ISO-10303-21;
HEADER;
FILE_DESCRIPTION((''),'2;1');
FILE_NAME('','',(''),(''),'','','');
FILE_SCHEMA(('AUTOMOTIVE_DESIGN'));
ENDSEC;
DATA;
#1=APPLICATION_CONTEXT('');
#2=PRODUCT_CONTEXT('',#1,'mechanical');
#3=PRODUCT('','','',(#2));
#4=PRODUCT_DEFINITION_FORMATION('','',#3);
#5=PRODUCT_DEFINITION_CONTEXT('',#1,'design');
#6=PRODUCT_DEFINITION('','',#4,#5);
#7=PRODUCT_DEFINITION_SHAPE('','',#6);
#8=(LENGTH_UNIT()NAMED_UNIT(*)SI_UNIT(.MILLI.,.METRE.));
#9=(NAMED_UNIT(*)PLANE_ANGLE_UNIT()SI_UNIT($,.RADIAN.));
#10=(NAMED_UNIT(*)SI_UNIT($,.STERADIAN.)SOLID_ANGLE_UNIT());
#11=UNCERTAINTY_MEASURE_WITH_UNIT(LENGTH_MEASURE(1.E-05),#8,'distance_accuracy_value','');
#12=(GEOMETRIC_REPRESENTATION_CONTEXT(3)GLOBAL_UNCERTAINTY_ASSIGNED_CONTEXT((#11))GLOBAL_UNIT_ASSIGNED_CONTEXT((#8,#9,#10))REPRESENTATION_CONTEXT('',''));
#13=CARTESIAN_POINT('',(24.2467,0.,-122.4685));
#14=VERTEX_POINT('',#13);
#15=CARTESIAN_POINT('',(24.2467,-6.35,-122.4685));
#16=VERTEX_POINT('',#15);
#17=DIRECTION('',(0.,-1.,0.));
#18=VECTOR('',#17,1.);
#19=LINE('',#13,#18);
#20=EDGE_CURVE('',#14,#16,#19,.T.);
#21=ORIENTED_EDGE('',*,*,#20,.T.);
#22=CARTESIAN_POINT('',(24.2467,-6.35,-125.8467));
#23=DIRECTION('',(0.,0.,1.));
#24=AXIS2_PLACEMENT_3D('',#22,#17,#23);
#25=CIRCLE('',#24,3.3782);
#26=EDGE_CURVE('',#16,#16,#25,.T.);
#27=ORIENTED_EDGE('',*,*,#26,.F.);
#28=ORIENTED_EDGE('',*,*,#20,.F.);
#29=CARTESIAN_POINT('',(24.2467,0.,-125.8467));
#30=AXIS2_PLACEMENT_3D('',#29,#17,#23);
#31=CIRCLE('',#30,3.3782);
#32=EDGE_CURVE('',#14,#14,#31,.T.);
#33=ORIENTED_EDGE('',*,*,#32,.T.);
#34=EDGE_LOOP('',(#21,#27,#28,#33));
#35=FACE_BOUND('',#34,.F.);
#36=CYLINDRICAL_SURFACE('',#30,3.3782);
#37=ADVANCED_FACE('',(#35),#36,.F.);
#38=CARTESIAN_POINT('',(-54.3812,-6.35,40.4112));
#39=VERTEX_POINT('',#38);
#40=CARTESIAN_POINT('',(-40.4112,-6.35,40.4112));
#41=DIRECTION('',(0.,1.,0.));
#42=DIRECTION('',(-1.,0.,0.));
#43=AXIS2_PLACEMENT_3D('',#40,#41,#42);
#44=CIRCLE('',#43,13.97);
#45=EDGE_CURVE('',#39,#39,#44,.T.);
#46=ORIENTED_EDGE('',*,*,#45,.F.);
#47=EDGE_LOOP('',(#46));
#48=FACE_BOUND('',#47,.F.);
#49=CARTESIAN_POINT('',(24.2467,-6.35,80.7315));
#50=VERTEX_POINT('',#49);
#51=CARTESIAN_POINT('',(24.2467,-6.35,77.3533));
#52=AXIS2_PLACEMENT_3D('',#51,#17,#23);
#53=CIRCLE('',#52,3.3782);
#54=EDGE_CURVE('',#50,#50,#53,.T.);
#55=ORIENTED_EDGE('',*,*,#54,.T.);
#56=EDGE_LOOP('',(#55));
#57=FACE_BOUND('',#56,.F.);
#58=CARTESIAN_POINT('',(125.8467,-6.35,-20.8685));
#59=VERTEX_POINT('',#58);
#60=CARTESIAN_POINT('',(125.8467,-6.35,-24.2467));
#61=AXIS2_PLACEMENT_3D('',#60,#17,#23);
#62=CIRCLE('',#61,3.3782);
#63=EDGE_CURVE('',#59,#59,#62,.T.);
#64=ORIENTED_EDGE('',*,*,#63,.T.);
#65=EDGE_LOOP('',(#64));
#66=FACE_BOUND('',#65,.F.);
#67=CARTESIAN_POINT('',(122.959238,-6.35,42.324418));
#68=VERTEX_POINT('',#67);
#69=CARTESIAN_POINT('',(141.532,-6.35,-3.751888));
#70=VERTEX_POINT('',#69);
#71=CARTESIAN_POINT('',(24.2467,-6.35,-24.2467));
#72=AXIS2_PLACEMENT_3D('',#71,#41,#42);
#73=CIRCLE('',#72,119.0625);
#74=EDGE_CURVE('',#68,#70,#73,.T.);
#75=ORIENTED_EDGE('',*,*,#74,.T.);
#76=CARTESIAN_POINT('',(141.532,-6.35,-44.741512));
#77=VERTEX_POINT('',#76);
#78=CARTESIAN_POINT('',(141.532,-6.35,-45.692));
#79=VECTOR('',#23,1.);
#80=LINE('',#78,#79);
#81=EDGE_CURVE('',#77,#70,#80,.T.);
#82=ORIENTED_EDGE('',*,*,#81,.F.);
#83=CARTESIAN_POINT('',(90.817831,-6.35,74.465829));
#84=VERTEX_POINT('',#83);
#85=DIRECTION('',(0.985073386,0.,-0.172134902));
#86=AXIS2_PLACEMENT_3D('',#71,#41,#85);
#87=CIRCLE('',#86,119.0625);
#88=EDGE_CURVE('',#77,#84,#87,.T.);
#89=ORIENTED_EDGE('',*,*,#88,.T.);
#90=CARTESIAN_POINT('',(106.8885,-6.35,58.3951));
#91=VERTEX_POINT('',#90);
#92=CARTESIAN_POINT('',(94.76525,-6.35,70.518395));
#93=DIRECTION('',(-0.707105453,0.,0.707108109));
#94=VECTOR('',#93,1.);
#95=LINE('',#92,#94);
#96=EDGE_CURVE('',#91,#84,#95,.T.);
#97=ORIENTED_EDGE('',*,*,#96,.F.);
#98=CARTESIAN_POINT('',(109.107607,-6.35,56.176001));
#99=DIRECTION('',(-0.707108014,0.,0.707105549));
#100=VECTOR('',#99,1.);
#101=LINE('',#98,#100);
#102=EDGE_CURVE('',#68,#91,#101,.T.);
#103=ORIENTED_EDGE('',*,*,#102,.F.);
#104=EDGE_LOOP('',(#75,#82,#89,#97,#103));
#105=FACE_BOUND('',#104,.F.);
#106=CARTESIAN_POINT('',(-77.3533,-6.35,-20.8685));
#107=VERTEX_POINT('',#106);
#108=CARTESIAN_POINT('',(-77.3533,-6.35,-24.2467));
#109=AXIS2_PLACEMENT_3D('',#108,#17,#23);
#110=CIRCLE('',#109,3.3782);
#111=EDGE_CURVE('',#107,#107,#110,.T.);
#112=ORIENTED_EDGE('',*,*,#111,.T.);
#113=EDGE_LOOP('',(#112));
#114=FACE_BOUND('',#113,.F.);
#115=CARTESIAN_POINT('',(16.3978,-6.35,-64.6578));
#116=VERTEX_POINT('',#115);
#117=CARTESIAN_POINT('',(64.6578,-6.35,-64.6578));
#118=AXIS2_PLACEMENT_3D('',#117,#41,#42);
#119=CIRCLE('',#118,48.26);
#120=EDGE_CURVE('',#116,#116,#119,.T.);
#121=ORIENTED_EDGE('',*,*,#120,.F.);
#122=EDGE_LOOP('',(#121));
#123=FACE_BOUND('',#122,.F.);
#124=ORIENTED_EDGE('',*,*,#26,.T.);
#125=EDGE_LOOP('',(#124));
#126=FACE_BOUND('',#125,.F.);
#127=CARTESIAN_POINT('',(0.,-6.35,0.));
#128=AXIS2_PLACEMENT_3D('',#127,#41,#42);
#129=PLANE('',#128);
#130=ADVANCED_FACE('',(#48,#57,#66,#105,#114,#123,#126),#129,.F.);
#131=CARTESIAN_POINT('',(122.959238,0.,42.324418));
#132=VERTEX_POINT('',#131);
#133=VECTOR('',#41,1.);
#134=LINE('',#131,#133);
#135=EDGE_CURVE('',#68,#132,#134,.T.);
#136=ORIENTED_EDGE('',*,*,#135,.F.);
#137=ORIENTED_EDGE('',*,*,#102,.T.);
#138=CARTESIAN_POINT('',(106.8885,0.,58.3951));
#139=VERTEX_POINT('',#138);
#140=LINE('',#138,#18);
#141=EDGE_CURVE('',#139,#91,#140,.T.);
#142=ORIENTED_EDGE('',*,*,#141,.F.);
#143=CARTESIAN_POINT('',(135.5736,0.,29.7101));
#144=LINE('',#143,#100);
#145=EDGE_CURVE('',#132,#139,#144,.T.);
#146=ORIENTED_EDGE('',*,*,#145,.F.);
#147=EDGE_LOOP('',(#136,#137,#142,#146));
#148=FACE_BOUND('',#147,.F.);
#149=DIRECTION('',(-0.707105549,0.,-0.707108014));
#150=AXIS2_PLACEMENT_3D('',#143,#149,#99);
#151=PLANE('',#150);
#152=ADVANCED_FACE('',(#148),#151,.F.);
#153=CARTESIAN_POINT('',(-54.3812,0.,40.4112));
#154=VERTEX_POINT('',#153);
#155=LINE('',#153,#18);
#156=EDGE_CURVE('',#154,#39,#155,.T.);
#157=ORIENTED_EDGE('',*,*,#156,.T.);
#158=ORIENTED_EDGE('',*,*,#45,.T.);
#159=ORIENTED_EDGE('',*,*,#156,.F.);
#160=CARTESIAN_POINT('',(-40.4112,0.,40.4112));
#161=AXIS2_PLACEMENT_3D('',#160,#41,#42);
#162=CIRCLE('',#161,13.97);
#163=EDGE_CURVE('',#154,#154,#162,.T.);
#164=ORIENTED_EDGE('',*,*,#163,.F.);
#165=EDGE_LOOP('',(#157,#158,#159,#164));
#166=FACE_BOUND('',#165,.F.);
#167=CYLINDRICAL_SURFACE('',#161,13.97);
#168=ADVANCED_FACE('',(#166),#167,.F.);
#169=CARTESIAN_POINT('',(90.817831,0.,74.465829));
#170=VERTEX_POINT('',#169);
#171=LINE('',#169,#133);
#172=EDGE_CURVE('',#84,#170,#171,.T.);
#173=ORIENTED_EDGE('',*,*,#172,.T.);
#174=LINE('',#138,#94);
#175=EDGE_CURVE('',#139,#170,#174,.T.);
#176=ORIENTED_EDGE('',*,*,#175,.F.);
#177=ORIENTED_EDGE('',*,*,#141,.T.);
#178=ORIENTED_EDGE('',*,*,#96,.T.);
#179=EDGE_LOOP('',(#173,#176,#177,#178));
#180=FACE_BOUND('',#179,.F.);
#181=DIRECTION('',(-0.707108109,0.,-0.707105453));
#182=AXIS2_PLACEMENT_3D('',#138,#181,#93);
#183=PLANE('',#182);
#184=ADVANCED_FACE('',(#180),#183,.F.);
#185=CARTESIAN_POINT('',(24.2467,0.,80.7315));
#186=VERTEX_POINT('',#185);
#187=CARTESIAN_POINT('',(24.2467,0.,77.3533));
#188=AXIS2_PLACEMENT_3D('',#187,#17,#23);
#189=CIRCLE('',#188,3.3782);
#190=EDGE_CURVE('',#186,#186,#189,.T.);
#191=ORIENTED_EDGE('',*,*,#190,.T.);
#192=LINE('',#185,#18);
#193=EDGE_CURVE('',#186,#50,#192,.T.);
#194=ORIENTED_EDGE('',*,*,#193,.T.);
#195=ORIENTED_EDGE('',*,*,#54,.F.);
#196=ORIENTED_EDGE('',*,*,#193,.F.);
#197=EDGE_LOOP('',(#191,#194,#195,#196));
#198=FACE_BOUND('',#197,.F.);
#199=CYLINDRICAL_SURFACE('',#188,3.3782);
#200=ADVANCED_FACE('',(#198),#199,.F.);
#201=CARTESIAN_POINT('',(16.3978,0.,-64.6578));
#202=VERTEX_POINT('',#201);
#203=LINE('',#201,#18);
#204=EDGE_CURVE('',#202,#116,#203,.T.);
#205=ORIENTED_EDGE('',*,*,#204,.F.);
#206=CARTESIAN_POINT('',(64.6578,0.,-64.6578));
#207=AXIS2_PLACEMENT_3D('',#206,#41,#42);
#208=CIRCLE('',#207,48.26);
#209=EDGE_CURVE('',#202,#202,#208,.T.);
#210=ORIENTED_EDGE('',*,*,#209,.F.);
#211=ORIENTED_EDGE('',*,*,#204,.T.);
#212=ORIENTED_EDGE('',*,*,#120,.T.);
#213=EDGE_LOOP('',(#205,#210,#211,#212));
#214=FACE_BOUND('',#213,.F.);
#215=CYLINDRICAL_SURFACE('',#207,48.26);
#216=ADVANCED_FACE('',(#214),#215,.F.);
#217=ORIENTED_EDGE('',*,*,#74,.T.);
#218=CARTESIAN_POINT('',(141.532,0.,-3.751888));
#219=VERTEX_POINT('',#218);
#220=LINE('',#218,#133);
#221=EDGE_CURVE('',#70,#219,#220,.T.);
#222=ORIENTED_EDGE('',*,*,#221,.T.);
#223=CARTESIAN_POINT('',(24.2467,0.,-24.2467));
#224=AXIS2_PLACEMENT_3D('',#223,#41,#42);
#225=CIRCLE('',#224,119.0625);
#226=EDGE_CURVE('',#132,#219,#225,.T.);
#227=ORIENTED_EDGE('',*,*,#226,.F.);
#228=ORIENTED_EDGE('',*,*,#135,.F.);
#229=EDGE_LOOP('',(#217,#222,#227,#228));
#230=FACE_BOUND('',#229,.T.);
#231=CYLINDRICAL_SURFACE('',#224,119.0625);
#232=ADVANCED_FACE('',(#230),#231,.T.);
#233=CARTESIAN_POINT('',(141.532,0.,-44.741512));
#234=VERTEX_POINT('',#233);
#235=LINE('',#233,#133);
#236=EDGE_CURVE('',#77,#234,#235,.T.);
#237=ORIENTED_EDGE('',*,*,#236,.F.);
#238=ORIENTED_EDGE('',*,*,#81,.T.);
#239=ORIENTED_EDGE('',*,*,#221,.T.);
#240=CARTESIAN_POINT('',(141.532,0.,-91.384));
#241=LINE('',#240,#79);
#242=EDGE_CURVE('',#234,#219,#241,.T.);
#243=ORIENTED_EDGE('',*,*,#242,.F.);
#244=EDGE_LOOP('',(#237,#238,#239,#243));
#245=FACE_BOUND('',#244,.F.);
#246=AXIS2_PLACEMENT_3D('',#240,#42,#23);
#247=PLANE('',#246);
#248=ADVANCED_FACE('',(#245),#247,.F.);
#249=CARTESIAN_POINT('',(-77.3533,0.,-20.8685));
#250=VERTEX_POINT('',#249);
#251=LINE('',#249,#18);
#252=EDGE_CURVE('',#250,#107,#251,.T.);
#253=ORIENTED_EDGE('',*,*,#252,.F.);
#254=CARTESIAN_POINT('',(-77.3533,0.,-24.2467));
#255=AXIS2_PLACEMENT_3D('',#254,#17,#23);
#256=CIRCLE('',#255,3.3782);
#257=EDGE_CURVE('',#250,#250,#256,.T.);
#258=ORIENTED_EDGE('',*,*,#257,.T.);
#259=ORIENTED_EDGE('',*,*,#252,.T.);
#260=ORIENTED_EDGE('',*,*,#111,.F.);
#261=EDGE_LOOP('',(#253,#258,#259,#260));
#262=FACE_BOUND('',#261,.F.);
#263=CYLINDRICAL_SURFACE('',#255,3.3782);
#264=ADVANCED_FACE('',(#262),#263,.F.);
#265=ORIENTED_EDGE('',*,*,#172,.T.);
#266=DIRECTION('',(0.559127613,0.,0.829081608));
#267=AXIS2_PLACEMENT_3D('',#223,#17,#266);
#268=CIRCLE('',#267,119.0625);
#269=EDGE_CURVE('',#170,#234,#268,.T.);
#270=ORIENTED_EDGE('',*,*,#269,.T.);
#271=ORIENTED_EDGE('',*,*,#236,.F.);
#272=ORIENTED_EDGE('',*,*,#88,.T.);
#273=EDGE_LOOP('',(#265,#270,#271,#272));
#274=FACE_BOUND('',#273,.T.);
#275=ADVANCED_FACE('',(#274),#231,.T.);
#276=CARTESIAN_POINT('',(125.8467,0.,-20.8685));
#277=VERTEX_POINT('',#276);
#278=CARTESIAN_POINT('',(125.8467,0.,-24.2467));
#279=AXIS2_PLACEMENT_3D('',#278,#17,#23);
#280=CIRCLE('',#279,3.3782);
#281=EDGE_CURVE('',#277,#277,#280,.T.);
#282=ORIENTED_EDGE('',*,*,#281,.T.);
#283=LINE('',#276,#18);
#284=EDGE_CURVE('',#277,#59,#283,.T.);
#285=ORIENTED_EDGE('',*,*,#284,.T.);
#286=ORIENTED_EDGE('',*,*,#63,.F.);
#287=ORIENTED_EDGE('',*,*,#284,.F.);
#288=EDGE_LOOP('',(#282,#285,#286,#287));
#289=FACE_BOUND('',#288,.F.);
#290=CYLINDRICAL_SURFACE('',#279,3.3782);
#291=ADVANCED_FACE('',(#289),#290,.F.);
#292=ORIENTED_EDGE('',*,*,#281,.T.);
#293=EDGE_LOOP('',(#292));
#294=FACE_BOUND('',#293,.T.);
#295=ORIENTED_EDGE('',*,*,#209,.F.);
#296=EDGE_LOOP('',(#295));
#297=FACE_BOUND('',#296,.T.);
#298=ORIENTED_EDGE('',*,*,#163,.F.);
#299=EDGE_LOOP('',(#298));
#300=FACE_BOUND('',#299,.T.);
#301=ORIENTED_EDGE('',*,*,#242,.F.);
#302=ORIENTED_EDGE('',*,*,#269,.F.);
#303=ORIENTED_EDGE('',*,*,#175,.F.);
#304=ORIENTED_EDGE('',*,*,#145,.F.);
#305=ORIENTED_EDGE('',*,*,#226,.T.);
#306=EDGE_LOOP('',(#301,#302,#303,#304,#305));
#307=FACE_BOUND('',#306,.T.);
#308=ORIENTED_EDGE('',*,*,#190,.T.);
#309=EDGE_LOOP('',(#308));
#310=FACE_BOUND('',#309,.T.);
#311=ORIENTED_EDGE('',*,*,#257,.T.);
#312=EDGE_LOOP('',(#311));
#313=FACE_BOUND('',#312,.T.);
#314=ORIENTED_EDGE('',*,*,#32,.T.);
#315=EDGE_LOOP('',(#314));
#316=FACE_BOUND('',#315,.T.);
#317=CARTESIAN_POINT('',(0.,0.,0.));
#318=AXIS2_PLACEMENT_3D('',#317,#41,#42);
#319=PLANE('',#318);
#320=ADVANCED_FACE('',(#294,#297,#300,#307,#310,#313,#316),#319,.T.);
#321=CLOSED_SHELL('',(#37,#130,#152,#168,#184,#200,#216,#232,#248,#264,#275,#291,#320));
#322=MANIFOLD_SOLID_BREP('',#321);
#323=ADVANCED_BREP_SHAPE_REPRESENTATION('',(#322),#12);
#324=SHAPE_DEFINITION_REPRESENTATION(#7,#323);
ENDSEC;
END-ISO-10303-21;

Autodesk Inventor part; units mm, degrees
ref_plane "YZ Plane" through (0, 0, 0) normal (1, 0, 0) x (0, 1, 0)
ref_plane "XZ Plane" through (0, 0, 0) normal (0, 1, 0) x (-1, 0, 0)
ref_plane "XY Plane" through (0, 0, 0) normal (0, 0, 1) x (1, 0, 0)
sketch "Sketch2" plane through (0, 0, 0) normal (0, 1, 0) x (-1, 0, 0)
  line L0 (0, 0) -> (-24.2467, -24.2467) construction
  line L1 (0, 0) -> (-34.29, 0) construction
  circle A0 centre (-24.2467, -24.2467) radius 119.0625
  dimension "d6" = 34.29
  dimension "d7" = 315
  dimension "d8" = 238.125
extrude "Extrusion1" add sketch "Sketch2" against normal blind 6.35
sketch "Sketch1" plane through (0, 0, 0) normal (0, 1, 0) x (-1, 0, 0)
  line L0 (0, 0) -> (-64.6578, -64.6578) construction
  line L1 (0, 0) -> (91.44, 0) construction
  circle A0 centre (-64.6578, -64.6578) radius 48.26
  line L2 (0, 0) -> (40.4112, 40.4112) construction
  line L3 (0, 0) -> (57.15, 0) construction
  circle A1 centre (40.4112, 40.4112) radius 13.97
  dimension "d0" = 91.44
  dimension "d1" = 135
  dimension "d2" = 96.52
  dimension "d3" = 57.15
  dimension "d4" = 45
  dimension "d5" = 27.94
extrude "Extrusion2" cut sketch "Sketch1" against normal up to surface (6.35 mm away)
sketch "Sketch9" plane through (24.2467, 0, -24.2467) normal (0, 1, 0) x (1, 0, 0)
  circle A0 centre (40.4112, 40.4112) radius 48.26 projected
  circle A1 centre (-64.6578, -64.6578) radius 13.97 projected
  line L0 (40.4112, 40.4112) -> (-64.6578, -64.6578)
  circle A2 centre (-29.6348, -29.6348) radius 63.5
  circle A3 centre (29.6348, 29.6348) radius 63.5
  circle A4 centre (40.4112, 40.4112) radius 48.26 projected
  line L1 (-33.7328, 33.7328) -> (33.7328, -33.7328)
  point P0 (-24.2467, -24.2467)
  dimension "d81" = 127
  dimension "d82" = 127
sketch "Sketch10" plane through (24.2467, 0, -24.2467) normal (0, 1, 0) x (1, 0, 0)
  circle A0 centre (0, 0) radius 119.0625 projected
  circle A1 centre (0, 0) radius 101.6 construction
  line L0 (0, 0) -> (0, 101.6) construction
  line L1 (0, 0) -> (-101.6, 0) construction
  line L2 (0, 0) -> (0, -101.6) construction
  line L3 (0, 0) -> (101.6, 0) construction
  point P0 (-24.2467, -24.2467)
  dimension "d83" = 203.2
  dimension "d86" = 360
hole "Hole4" at (-77.3533, 0, -24.2467) at (125.8467, 0, -24.2467) at (24.2467, 0, 77.3533) at (24.2467, 0, -125.8467) direction (0, -1, 0) diameter 6.7564 end through all clearance for "Flat Head Machine Screw (82)" size "1/4" standard "Ansi Unified Screw Threads"
sketch "Sketch11" plane through (24.2467, 0, -24.2467) normal (0, 1, 0) x (1, 0, 0)
  line L0 (117.2853, -50.0358) -> (124.9604, -50.0358)
  line L1 (124.9604, -50.0358) -> (124.9604, 67.1373)
  line L2 (124.9604, 67.1373) -> (117.2853, 67.1373)
  line L3 (117.2853, 67.1373) -> (117.2853, -50.0358)
  line L4 (0, 0) -> (82.6418, -82.6418)
  line L5 (0, 0) -> (116.8732, 0) construction
  line L6 (82.6418, -82.6418) -> (56.0171, -109.2666)
  line L7 (56.0171, -109.2666) -> (65.8131, -119.0625)
  line L8 (65.8131, -119.0625) -> (121.1228, -63.7527)
  line L9 (121.1228, -63.7527) -> (111.3269, -53.9568)
  line L10 (111.3269, -53.9568) -> (82.6418, -82.6418)
  point P0 (-24.2467, -24.2467)
  dimension "d95" = 45
extrude "Extrusion3" cut sketch "Sketch11" against normal blind 44.45
properties part number "2K8 stage mini" material "Copper"
